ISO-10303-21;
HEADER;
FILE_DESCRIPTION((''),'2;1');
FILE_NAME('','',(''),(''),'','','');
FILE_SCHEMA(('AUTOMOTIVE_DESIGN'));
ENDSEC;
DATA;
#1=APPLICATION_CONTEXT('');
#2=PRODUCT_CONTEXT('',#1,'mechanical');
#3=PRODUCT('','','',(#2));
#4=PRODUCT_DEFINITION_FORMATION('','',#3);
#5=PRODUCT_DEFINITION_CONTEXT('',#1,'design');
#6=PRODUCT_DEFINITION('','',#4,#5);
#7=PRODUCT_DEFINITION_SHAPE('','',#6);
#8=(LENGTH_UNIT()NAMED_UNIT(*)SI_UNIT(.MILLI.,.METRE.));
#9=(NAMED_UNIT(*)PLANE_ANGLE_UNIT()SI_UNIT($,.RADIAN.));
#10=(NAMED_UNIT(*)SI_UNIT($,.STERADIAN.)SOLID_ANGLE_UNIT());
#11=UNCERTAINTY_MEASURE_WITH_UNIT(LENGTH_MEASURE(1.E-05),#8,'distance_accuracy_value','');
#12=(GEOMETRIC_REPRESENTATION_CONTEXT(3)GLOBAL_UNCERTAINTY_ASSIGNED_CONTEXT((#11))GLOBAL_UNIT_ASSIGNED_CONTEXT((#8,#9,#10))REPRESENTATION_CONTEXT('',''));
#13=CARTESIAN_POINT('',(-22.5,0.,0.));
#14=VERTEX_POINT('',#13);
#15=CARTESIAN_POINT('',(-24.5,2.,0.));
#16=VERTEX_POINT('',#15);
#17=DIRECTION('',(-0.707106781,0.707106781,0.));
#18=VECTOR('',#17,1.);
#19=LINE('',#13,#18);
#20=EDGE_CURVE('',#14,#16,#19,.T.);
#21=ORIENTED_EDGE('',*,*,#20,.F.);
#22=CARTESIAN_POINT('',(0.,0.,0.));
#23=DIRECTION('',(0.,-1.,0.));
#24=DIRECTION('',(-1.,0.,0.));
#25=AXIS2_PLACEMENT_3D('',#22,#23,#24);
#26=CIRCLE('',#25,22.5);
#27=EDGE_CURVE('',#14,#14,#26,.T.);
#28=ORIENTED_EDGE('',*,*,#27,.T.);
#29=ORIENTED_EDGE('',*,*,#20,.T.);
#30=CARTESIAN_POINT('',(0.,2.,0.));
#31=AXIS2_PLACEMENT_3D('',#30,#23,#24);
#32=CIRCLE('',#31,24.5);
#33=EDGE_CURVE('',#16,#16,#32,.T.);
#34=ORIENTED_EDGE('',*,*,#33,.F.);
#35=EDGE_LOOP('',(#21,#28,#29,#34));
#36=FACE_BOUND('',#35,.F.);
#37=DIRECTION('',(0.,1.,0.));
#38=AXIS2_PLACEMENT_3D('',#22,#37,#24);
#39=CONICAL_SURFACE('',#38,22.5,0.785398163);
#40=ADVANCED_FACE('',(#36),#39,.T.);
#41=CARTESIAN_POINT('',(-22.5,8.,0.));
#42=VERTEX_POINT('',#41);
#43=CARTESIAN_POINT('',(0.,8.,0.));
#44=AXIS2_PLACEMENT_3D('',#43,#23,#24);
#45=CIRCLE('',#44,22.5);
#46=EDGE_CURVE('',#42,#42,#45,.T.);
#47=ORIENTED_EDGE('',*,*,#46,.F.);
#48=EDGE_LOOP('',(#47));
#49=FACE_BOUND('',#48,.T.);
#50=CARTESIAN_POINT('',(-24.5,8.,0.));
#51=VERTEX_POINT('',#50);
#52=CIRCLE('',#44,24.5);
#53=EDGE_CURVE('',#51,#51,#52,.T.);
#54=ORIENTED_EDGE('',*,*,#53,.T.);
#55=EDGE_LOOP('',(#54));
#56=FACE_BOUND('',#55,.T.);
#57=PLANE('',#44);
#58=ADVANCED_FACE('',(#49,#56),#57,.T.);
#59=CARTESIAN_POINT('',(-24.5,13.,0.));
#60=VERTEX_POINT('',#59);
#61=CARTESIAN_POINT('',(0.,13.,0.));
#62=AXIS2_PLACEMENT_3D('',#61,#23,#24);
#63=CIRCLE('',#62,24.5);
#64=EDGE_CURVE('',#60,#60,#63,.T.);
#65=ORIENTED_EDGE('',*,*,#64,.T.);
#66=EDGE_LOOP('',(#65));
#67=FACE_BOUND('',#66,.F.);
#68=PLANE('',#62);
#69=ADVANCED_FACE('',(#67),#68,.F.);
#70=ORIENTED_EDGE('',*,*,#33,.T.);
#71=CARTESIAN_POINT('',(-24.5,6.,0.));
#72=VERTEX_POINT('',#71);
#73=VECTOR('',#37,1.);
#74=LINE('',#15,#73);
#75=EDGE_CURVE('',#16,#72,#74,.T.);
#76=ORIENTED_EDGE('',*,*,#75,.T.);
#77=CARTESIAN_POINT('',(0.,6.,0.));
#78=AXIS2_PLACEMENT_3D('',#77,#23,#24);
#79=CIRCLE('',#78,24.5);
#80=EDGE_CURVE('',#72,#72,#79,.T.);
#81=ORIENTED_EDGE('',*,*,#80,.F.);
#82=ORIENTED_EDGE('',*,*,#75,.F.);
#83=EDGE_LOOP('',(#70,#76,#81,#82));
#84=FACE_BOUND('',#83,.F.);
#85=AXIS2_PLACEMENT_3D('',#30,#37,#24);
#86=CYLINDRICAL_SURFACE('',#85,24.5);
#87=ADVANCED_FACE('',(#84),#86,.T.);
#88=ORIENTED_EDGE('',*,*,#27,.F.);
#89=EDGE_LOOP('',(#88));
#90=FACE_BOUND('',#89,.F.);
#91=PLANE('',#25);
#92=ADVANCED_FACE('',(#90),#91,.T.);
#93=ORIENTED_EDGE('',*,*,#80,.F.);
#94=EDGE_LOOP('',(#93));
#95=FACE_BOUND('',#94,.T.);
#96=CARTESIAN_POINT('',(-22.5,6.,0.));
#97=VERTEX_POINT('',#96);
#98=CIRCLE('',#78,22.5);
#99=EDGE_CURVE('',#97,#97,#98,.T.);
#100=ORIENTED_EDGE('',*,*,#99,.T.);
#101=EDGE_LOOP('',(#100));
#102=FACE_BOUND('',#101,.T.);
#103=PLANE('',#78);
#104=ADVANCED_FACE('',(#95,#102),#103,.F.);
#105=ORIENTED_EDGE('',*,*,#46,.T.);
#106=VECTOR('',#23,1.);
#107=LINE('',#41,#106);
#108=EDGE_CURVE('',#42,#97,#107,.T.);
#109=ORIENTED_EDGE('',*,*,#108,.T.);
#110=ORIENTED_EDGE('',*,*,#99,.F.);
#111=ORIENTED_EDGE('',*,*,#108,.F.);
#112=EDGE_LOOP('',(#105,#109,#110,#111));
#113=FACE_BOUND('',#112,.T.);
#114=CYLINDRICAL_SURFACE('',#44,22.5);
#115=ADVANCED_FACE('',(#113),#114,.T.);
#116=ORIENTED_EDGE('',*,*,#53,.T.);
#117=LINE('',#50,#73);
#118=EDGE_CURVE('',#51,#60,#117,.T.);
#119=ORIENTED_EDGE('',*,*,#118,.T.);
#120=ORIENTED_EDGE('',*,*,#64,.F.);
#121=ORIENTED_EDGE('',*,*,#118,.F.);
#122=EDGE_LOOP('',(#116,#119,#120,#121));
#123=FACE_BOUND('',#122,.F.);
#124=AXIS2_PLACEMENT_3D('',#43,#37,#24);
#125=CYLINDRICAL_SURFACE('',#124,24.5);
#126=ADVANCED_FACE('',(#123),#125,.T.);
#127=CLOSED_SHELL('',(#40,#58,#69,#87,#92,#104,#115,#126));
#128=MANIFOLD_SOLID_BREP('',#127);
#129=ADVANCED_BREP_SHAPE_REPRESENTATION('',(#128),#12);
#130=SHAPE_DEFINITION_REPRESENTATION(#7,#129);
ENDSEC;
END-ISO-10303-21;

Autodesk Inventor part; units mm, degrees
ref_plane "YZ Plane" through (0, 0, 0) normal (1, 0, 0) x (0, 1, 0)
ref_plane "XZ Plane" through (0, 0, 0) normal (0, 1, 0) x (-1, 0, 0)
ref_plane "XY Plane" through (0, 0, 0) normal (0, 0, 1) x (1, 0, 0)
sketch "Sketch1" plane through (0, 0, 0) normal (0, 0, 1) x (1, 0, 0)
  line L0 (0, 0) -> (-22.5, 0)
  line L1 (-24.5, 13) -> (0, 13)
  line L2 (0, 13) -> (0, 0)
  line L3 (-22.5, 0) -> (-24.5, 2)
  line L4 (-24.5, 8) -> (-22.5, 8)
  line L5 (-22.5, 8) -> (-22.5, 6)
  line L6 (-22.5, 6) -> (-24.5, 6)
  line L7 (-24.5, 6) -> (-24.5, 8)
  line L8 (-24.5, 2) -> (-24.5, 6)
  line L9 (-24.5, 8) -> (-24.5, 13)
  point P0 (-24.5, 0)
  dimension "d0" = 24.5
  dimension "d1" = 13
  dimension "d2" = 2
  dimension "d3" = 2
  dimension "d4" = 2
  dimension "d5" = 2
  dimension "d6" = 5
  dimension "d7" = 45
revolve "Revolution1" add sketch "Sketch1" angle 360 about axis through (0, 13, 0) along (0, -1, 0) contours L0 L3 L8 L6 L5 L4 L9 L1 L2
equation "\"d3\" = d2"
properties part number "bulkhead"
